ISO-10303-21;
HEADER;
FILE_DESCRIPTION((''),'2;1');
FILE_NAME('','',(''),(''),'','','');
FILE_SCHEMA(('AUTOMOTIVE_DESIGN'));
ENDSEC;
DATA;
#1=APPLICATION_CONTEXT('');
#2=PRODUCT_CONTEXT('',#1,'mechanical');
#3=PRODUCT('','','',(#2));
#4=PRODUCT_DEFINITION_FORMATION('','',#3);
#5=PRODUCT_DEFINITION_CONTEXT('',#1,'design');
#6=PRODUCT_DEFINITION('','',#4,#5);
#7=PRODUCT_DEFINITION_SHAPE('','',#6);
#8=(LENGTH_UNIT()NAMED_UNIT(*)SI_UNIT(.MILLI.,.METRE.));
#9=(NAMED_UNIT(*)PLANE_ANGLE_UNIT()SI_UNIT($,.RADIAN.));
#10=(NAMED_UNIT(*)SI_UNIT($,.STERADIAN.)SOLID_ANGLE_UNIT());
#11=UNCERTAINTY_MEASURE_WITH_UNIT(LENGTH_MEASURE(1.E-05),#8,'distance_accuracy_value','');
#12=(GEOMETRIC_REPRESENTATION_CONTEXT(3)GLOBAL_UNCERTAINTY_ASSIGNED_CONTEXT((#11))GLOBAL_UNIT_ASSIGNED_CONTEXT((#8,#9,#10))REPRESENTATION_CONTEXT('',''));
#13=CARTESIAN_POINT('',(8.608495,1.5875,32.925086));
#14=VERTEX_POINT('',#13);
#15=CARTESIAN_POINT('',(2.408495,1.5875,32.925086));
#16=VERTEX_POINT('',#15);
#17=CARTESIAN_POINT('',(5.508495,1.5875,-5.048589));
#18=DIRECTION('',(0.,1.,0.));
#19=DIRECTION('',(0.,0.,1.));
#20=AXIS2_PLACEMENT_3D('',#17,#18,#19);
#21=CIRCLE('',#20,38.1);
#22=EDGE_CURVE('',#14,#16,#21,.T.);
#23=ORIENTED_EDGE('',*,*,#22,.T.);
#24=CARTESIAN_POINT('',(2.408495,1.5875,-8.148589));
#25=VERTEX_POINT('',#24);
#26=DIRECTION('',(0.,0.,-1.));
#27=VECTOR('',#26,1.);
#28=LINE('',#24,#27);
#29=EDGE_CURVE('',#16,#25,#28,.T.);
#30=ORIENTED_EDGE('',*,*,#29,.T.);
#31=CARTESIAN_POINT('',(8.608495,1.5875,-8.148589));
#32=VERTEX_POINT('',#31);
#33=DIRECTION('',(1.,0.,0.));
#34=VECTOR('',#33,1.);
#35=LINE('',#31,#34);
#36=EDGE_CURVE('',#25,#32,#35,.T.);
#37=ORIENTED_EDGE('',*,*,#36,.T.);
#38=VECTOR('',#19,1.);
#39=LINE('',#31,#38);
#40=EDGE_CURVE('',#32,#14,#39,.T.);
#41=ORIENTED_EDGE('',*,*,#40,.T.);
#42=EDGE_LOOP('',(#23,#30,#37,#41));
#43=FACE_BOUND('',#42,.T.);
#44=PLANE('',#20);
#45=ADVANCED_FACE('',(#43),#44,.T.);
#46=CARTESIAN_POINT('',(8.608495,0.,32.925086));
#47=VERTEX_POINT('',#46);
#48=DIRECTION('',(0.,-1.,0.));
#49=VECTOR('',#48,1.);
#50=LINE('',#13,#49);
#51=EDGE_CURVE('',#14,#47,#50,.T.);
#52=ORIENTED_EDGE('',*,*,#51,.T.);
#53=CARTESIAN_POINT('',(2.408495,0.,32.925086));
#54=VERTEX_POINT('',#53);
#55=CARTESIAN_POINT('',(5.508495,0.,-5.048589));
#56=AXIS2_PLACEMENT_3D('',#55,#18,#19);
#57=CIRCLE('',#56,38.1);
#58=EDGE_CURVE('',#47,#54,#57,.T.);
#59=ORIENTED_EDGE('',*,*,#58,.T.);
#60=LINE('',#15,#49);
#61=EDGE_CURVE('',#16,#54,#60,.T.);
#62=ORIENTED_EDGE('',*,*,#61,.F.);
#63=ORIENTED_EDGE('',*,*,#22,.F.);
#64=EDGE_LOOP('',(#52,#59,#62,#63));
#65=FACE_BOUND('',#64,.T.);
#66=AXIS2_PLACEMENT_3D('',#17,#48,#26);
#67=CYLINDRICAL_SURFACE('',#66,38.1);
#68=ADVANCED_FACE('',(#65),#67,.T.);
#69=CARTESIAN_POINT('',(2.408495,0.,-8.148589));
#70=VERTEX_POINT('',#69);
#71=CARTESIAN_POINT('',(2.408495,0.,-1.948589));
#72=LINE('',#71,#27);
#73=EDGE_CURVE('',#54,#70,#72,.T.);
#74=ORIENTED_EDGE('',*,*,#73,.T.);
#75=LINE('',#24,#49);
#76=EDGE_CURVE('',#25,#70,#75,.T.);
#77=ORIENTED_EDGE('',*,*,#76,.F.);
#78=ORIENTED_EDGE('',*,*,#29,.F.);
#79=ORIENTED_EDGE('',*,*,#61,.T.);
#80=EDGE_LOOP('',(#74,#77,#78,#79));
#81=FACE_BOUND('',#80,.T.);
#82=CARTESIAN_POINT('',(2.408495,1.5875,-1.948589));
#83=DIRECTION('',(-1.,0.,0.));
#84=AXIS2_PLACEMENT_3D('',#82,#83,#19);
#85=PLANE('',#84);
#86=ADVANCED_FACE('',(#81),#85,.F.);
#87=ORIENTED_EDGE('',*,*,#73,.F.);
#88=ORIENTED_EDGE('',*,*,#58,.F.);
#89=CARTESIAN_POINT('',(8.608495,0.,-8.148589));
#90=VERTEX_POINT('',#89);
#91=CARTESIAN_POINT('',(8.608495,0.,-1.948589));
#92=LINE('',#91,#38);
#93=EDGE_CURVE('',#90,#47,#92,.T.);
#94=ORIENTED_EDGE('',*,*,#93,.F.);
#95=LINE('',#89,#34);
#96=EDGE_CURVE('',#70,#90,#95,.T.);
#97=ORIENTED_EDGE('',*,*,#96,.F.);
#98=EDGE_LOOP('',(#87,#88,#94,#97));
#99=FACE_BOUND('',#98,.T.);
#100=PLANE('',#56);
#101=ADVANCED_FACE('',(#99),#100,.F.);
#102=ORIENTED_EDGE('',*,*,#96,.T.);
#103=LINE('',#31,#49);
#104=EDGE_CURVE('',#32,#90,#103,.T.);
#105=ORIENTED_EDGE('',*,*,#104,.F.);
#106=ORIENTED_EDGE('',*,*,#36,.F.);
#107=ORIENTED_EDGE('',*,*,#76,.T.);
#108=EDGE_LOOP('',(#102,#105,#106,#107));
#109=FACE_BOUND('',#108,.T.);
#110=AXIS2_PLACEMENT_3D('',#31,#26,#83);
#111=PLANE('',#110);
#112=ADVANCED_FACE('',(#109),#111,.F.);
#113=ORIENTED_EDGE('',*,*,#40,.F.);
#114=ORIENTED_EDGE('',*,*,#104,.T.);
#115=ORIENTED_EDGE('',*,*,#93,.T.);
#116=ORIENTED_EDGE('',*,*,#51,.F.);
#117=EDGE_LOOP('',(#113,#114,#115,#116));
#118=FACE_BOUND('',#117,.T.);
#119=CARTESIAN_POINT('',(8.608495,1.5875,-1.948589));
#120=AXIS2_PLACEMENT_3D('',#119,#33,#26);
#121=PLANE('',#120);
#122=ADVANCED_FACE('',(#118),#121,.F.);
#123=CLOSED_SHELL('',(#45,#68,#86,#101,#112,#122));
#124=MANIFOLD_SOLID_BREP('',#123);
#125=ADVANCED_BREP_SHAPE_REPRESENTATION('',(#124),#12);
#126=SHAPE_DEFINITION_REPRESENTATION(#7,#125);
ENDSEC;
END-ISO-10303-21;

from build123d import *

# Parameters (mm, degrees)
BOSS_EXTRUDE1_DEPTH = 1.5875


with BuildPart() as part:
    # Sketch1 → Boss-Extrude1 (new body)
    with BuildSketch(Plane(origin=(0, 0, 0), x_dir=(1, 0, 0), z_dir=(0, 1, 0))):
        with BuildLine():
            Line((2.408495171, 1.948589223), (2.408495171, -32.925085869))
            ThreePointArc((2.408495171, -32.925085869), (5.508495171, 43.148589223), (8.608495171, -32.925085869))
            Line((8.608495171, -32.925085869), (8.608495171, 1.948589223))
            Line((8.608495171, 1.948589223), (8.608495171, 8.148589223))
            Line((8.608495171, 8.148589223), (2.408495171, 8.148589223))
            Line((2.408495171, 8.148589223), (2.408495171, 1.948589223))
        make_face()
    extrude(amount=BOSS_EXTRUDE1_DEPTH)


solid = part.part
